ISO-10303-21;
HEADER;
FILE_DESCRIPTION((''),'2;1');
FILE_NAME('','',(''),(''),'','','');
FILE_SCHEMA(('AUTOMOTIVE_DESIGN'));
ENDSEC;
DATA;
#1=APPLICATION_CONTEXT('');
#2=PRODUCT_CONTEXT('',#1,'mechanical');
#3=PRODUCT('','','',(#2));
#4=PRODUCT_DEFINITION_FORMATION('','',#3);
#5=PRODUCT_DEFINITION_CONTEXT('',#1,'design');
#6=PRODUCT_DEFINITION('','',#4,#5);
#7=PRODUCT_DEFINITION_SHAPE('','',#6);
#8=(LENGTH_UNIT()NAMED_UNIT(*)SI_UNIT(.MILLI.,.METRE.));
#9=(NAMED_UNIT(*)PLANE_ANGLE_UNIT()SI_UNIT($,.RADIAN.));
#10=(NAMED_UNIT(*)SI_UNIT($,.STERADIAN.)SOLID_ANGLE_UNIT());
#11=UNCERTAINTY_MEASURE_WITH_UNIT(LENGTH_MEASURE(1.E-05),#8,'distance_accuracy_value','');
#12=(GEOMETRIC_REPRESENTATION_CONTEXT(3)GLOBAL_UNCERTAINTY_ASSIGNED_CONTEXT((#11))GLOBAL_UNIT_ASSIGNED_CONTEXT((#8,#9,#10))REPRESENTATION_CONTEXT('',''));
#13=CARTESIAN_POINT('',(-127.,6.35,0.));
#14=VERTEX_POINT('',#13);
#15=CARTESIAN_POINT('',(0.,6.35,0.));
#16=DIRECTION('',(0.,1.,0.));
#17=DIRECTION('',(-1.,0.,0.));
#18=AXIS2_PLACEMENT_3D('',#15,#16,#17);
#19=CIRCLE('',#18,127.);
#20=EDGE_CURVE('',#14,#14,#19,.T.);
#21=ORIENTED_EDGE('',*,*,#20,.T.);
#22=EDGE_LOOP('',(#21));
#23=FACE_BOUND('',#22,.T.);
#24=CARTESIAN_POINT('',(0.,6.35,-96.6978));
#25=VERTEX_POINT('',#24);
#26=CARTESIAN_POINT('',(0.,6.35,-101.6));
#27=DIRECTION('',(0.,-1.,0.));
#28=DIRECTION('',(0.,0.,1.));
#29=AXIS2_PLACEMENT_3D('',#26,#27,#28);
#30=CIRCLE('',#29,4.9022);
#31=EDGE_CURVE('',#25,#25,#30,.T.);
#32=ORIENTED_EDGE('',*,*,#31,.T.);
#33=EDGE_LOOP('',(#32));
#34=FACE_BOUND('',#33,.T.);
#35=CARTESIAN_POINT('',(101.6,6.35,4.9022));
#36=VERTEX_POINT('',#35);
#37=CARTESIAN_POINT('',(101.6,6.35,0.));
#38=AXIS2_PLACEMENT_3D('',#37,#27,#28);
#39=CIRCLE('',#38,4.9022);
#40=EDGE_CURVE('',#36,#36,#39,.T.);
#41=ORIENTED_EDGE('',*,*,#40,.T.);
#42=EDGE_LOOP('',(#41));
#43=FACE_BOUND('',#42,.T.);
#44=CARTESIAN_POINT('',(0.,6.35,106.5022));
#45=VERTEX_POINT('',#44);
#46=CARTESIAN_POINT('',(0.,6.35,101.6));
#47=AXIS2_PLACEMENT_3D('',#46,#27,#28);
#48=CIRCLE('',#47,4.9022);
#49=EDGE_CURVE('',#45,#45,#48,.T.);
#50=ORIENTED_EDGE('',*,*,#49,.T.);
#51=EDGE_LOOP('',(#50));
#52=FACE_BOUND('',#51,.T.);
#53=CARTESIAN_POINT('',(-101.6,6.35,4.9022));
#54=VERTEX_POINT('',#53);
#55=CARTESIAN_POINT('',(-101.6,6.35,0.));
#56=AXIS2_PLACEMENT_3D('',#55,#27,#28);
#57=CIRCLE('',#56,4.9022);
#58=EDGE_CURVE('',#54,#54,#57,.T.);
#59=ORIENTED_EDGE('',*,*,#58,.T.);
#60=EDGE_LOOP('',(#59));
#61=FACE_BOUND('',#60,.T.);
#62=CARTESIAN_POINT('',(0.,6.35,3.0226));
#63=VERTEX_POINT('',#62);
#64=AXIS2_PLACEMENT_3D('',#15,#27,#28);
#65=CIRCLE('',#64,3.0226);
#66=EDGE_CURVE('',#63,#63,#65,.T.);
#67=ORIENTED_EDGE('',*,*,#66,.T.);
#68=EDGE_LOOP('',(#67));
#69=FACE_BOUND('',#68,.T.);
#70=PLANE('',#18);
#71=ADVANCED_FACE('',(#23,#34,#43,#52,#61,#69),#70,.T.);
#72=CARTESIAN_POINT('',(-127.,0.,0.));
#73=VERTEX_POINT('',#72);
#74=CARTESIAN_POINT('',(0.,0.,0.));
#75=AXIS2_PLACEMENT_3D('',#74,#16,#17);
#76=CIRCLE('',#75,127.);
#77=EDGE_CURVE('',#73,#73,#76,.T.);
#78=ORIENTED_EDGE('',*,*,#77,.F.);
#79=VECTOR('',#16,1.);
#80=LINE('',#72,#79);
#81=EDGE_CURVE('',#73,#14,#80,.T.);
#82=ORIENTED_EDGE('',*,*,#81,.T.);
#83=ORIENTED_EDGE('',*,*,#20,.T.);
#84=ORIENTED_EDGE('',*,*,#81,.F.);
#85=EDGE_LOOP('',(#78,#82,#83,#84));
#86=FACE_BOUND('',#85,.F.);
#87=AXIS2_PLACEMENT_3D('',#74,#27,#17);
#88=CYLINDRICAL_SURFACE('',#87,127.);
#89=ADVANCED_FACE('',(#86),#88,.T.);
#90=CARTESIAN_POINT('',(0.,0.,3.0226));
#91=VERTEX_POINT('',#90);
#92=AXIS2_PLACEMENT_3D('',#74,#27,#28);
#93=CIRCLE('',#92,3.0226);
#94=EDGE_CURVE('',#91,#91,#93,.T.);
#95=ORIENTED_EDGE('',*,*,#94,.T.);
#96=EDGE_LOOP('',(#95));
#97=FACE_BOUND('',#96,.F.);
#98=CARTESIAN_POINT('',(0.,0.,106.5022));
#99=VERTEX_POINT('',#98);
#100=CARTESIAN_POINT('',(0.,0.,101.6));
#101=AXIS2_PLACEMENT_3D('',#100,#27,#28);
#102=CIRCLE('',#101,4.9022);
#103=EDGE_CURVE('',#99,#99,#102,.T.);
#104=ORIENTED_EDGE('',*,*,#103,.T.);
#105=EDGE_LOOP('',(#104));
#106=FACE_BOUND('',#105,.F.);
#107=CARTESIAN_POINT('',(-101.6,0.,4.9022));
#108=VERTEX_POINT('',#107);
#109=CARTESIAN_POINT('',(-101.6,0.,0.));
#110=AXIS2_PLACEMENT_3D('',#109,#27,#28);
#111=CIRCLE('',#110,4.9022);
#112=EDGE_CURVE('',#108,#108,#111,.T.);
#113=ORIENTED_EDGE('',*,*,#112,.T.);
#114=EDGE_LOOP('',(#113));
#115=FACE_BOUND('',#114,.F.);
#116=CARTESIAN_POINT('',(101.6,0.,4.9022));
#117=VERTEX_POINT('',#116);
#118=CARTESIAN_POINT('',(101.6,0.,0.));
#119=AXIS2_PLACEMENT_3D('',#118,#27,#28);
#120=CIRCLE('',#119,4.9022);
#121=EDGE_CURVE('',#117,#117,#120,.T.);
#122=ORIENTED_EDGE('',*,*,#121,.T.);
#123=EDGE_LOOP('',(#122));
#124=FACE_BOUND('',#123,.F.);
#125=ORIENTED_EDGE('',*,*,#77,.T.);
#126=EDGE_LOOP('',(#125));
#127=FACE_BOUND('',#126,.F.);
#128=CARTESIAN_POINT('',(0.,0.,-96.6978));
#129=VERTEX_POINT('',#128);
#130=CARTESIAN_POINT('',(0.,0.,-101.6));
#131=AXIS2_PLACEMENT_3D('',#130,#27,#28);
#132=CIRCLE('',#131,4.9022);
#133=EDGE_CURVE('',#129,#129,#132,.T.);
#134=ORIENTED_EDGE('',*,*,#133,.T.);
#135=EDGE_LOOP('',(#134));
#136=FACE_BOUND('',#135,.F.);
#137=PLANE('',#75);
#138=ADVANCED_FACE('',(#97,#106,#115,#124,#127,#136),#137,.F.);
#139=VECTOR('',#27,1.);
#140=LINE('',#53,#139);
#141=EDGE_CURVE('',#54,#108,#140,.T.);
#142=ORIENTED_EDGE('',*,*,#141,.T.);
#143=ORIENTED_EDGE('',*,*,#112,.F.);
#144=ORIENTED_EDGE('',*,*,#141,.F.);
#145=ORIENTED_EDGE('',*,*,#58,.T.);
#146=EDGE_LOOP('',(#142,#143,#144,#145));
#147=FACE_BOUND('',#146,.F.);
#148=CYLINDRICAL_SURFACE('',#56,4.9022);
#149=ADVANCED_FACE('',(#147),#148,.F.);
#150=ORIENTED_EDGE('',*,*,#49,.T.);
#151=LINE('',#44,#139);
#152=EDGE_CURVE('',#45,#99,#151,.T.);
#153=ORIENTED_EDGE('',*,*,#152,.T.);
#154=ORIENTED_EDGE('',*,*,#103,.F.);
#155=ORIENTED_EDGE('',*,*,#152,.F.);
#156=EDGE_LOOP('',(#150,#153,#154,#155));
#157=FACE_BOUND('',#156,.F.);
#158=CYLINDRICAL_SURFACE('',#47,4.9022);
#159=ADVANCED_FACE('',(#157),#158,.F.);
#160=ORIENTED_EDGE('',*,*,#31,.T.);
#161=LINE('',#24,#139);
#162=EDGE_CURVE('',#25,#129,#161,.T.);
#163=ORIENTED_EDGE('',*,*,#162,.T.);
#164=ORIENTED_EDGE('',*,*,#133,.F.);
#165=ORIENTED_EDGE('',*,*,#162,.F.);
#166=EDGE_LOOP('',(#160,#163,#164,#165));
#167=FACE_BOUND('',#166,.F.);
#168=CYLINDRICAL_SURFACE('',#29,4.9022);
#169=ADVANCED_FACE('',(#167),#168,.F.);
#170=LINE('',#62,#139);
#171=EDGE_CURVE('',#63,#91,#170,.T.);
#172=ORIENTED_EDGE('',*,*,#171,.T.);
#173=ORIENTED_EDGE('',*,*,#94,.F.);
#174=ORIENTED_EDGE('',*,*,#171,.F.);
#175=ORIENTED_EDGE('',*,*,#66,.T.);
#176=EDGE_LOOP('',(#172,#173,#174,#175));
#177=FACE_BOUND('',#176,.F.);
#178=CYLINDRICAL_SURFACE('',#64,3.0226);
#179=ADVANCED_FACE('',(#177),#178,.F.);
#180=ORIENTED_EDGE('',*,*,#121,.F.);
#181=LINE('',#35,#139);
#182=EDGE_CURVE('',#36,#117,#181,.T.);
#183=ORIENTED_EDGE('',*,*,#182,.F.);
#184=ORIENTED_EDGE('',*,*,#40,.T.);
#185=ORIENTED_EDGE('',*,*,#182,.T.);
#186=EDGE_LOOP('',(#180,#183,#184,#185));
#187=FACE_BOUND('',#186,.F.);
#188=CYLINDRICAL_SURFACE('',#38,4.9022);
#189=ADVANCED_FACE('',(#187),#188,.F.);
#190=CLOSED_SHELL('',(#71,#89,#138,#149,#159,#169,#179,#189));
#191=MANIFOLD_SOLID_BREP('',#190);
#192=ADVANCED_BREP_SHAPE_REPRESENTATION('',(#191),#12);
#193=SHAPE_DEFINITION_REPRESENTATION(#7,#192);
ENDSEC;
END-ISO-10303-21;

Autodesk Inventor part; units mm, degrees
ref_plane "YZ Plane" through (0, 0, 0) normal (1, 0, 0) x (0, 1, 0)
ref_plane "XZ Plane" through (0, 0, 0) normal (0, 1, 0) x (-1, 0, 0)
ref_plane "XY Plane" through (0, 0, 0) normal (0, 0, 1) x (1, 0, 0)
sketch "Sketch1" plane through (0, 0, 0) normal (0, 1, 0) x (-1, 0, 0)
  circle A0 centre (0, 0) radius 127
  dimension "d0" = 254
extrude "Extrusion1" add sketch "Sketch1" along normal blind 6.35
sketch "Sketch2" plane through (0, 6.35, 0) normal (0, 1, 0) x (1, 0, 0)
  point P0 (0, 0)
  point P1 (0, 0)
hole "Hole1" at (0, 6.35, 0) direction (0, -1, 0) diameter 6.0452 end through all
sketch "Sketch3" plane through (0, 6.35, 0) normal (0, 1, 0) x (1, 0, 0)
  circle A0 centre (0, 0) radius 3.0226 projected
  circle A1 centre (0, 0) radius 101.6
  point P0 (-101.6, 0)
  point P1 (0, -101.6)
  point P2 (0, 101.6)
  point P3 (101.6, 0)
  dimension "d10" = 203.2
hole "Hole2" at (-101.6, 6.35, 0) at (0, 6.35, 101.6) at (0, 6.35, -101.6) at (101.6, 6.35, 0) direction (0, -1, 0) diameter 9.8044 end through all
properties part number "Keep Out RSX Deck"
